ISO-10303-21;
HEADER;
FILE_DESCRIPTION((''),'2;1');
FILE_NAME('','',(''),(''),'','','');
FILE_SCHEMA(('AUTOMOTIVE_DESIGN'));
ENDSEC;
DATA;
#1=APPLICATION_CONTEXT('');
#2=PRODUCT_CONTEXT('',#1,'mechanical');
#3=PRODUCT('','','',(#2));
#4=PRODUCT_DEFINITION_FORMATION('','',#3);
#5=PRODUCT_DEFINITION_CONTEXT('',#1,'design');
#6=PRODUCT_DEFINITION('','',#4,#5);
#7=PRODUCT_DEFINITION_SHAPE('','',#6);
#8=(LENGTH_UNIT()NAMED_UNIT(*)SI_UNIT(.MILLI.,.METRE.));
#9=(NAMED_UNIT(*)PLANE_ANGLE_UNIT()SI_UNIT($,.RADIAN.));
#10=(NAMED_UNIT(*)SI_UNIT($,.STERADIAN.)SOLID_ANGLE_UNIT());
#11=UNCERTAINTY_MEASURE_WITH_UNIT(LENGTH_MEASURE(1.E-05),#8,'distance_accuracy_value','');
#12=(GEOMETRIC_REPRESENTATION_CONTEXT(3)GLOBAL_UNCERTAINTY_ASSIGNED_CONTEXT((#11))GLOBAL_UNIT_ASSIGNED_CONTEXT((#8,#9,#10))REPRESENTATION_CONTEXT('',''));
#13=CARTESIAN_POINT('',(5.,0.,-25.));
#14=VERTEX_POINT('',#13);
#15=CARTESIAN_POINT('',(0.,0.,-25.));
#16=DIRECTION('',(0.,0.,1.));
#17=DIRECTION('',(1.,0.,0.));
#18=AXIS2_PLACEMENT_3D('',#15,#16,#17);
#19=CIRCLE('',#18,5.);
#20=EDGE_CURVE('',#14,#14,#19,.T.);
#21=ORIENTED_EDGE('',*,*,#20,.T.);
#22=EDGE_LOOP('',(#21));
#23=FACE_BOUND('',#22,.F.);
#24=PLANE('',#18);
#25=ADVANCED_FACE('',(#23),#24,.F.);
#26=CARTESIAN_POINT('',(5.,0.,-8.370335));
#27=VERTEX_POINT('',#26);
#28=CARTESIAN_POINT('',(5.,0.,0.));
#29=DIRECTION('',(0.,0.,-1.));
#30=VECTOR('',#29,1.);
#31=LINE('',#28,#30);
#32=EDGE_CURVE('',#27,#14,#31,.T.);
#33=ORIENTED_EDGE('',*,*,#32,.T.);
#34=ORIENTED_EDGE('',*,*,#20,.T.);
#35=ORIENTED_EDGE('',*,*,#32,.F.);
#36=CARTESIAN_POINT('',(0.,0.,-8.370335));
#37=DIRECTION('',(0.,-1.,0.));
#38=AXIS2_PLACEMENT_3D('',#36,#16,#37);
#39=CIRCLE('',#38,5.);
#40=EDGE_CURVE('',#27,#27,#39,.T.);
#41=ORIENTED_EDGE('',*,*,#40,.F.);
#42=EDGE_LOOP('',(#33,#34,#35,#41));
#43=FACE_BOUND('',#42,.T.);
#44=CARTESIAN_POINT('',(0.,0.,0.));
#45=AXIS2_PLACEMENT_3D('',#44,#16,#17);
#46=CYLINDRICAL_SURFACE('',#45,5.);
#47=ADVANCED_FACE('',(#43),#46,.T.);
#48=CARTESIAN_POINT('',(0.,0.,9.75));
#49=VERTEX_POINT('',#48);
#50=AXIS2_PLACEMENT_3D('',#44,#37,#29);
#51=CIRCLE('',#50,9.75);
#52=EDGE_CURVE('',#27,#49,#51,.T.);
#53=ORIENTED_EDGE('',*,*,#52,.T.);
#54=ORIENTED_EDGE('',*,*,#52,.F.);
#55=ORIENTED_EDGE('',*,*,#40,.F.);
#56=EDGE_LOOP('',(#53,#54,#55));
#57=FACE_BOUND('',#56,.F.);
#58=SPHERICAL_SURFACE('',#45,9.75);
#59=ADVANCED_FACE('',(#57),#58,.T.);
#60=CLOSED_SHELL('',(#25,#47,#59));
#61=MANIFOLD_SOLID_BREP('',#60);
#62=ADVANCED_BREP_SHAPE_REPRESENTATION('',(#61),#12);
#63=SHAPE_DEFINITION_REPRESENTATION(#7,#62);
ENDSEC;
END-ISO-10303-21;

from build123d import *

# Parameters (mm, degrees)
F2_R     = 5
F3_DEPTH = 25


with BuildPart() as f1:
    # F0 (on Front) → F1 (revolve)
    with BuildSketch(Plane.XZ):
        with BuildLine():
            Line((0, 9.75), (0, -9.75))
            ThreePointArc((0, -9.75), (9.75, 0), (0, 9.75))
        make_face()
    revolve(axis=Axis((0, 0, 0), (0, 0, -1)))

    # F2 (on Top) → F3 (join)
    with BuildSketch(Plane.XY):
        Circle(F2_R)
    extrude(amount=-F3_DEPTH)


solid = f1.part
